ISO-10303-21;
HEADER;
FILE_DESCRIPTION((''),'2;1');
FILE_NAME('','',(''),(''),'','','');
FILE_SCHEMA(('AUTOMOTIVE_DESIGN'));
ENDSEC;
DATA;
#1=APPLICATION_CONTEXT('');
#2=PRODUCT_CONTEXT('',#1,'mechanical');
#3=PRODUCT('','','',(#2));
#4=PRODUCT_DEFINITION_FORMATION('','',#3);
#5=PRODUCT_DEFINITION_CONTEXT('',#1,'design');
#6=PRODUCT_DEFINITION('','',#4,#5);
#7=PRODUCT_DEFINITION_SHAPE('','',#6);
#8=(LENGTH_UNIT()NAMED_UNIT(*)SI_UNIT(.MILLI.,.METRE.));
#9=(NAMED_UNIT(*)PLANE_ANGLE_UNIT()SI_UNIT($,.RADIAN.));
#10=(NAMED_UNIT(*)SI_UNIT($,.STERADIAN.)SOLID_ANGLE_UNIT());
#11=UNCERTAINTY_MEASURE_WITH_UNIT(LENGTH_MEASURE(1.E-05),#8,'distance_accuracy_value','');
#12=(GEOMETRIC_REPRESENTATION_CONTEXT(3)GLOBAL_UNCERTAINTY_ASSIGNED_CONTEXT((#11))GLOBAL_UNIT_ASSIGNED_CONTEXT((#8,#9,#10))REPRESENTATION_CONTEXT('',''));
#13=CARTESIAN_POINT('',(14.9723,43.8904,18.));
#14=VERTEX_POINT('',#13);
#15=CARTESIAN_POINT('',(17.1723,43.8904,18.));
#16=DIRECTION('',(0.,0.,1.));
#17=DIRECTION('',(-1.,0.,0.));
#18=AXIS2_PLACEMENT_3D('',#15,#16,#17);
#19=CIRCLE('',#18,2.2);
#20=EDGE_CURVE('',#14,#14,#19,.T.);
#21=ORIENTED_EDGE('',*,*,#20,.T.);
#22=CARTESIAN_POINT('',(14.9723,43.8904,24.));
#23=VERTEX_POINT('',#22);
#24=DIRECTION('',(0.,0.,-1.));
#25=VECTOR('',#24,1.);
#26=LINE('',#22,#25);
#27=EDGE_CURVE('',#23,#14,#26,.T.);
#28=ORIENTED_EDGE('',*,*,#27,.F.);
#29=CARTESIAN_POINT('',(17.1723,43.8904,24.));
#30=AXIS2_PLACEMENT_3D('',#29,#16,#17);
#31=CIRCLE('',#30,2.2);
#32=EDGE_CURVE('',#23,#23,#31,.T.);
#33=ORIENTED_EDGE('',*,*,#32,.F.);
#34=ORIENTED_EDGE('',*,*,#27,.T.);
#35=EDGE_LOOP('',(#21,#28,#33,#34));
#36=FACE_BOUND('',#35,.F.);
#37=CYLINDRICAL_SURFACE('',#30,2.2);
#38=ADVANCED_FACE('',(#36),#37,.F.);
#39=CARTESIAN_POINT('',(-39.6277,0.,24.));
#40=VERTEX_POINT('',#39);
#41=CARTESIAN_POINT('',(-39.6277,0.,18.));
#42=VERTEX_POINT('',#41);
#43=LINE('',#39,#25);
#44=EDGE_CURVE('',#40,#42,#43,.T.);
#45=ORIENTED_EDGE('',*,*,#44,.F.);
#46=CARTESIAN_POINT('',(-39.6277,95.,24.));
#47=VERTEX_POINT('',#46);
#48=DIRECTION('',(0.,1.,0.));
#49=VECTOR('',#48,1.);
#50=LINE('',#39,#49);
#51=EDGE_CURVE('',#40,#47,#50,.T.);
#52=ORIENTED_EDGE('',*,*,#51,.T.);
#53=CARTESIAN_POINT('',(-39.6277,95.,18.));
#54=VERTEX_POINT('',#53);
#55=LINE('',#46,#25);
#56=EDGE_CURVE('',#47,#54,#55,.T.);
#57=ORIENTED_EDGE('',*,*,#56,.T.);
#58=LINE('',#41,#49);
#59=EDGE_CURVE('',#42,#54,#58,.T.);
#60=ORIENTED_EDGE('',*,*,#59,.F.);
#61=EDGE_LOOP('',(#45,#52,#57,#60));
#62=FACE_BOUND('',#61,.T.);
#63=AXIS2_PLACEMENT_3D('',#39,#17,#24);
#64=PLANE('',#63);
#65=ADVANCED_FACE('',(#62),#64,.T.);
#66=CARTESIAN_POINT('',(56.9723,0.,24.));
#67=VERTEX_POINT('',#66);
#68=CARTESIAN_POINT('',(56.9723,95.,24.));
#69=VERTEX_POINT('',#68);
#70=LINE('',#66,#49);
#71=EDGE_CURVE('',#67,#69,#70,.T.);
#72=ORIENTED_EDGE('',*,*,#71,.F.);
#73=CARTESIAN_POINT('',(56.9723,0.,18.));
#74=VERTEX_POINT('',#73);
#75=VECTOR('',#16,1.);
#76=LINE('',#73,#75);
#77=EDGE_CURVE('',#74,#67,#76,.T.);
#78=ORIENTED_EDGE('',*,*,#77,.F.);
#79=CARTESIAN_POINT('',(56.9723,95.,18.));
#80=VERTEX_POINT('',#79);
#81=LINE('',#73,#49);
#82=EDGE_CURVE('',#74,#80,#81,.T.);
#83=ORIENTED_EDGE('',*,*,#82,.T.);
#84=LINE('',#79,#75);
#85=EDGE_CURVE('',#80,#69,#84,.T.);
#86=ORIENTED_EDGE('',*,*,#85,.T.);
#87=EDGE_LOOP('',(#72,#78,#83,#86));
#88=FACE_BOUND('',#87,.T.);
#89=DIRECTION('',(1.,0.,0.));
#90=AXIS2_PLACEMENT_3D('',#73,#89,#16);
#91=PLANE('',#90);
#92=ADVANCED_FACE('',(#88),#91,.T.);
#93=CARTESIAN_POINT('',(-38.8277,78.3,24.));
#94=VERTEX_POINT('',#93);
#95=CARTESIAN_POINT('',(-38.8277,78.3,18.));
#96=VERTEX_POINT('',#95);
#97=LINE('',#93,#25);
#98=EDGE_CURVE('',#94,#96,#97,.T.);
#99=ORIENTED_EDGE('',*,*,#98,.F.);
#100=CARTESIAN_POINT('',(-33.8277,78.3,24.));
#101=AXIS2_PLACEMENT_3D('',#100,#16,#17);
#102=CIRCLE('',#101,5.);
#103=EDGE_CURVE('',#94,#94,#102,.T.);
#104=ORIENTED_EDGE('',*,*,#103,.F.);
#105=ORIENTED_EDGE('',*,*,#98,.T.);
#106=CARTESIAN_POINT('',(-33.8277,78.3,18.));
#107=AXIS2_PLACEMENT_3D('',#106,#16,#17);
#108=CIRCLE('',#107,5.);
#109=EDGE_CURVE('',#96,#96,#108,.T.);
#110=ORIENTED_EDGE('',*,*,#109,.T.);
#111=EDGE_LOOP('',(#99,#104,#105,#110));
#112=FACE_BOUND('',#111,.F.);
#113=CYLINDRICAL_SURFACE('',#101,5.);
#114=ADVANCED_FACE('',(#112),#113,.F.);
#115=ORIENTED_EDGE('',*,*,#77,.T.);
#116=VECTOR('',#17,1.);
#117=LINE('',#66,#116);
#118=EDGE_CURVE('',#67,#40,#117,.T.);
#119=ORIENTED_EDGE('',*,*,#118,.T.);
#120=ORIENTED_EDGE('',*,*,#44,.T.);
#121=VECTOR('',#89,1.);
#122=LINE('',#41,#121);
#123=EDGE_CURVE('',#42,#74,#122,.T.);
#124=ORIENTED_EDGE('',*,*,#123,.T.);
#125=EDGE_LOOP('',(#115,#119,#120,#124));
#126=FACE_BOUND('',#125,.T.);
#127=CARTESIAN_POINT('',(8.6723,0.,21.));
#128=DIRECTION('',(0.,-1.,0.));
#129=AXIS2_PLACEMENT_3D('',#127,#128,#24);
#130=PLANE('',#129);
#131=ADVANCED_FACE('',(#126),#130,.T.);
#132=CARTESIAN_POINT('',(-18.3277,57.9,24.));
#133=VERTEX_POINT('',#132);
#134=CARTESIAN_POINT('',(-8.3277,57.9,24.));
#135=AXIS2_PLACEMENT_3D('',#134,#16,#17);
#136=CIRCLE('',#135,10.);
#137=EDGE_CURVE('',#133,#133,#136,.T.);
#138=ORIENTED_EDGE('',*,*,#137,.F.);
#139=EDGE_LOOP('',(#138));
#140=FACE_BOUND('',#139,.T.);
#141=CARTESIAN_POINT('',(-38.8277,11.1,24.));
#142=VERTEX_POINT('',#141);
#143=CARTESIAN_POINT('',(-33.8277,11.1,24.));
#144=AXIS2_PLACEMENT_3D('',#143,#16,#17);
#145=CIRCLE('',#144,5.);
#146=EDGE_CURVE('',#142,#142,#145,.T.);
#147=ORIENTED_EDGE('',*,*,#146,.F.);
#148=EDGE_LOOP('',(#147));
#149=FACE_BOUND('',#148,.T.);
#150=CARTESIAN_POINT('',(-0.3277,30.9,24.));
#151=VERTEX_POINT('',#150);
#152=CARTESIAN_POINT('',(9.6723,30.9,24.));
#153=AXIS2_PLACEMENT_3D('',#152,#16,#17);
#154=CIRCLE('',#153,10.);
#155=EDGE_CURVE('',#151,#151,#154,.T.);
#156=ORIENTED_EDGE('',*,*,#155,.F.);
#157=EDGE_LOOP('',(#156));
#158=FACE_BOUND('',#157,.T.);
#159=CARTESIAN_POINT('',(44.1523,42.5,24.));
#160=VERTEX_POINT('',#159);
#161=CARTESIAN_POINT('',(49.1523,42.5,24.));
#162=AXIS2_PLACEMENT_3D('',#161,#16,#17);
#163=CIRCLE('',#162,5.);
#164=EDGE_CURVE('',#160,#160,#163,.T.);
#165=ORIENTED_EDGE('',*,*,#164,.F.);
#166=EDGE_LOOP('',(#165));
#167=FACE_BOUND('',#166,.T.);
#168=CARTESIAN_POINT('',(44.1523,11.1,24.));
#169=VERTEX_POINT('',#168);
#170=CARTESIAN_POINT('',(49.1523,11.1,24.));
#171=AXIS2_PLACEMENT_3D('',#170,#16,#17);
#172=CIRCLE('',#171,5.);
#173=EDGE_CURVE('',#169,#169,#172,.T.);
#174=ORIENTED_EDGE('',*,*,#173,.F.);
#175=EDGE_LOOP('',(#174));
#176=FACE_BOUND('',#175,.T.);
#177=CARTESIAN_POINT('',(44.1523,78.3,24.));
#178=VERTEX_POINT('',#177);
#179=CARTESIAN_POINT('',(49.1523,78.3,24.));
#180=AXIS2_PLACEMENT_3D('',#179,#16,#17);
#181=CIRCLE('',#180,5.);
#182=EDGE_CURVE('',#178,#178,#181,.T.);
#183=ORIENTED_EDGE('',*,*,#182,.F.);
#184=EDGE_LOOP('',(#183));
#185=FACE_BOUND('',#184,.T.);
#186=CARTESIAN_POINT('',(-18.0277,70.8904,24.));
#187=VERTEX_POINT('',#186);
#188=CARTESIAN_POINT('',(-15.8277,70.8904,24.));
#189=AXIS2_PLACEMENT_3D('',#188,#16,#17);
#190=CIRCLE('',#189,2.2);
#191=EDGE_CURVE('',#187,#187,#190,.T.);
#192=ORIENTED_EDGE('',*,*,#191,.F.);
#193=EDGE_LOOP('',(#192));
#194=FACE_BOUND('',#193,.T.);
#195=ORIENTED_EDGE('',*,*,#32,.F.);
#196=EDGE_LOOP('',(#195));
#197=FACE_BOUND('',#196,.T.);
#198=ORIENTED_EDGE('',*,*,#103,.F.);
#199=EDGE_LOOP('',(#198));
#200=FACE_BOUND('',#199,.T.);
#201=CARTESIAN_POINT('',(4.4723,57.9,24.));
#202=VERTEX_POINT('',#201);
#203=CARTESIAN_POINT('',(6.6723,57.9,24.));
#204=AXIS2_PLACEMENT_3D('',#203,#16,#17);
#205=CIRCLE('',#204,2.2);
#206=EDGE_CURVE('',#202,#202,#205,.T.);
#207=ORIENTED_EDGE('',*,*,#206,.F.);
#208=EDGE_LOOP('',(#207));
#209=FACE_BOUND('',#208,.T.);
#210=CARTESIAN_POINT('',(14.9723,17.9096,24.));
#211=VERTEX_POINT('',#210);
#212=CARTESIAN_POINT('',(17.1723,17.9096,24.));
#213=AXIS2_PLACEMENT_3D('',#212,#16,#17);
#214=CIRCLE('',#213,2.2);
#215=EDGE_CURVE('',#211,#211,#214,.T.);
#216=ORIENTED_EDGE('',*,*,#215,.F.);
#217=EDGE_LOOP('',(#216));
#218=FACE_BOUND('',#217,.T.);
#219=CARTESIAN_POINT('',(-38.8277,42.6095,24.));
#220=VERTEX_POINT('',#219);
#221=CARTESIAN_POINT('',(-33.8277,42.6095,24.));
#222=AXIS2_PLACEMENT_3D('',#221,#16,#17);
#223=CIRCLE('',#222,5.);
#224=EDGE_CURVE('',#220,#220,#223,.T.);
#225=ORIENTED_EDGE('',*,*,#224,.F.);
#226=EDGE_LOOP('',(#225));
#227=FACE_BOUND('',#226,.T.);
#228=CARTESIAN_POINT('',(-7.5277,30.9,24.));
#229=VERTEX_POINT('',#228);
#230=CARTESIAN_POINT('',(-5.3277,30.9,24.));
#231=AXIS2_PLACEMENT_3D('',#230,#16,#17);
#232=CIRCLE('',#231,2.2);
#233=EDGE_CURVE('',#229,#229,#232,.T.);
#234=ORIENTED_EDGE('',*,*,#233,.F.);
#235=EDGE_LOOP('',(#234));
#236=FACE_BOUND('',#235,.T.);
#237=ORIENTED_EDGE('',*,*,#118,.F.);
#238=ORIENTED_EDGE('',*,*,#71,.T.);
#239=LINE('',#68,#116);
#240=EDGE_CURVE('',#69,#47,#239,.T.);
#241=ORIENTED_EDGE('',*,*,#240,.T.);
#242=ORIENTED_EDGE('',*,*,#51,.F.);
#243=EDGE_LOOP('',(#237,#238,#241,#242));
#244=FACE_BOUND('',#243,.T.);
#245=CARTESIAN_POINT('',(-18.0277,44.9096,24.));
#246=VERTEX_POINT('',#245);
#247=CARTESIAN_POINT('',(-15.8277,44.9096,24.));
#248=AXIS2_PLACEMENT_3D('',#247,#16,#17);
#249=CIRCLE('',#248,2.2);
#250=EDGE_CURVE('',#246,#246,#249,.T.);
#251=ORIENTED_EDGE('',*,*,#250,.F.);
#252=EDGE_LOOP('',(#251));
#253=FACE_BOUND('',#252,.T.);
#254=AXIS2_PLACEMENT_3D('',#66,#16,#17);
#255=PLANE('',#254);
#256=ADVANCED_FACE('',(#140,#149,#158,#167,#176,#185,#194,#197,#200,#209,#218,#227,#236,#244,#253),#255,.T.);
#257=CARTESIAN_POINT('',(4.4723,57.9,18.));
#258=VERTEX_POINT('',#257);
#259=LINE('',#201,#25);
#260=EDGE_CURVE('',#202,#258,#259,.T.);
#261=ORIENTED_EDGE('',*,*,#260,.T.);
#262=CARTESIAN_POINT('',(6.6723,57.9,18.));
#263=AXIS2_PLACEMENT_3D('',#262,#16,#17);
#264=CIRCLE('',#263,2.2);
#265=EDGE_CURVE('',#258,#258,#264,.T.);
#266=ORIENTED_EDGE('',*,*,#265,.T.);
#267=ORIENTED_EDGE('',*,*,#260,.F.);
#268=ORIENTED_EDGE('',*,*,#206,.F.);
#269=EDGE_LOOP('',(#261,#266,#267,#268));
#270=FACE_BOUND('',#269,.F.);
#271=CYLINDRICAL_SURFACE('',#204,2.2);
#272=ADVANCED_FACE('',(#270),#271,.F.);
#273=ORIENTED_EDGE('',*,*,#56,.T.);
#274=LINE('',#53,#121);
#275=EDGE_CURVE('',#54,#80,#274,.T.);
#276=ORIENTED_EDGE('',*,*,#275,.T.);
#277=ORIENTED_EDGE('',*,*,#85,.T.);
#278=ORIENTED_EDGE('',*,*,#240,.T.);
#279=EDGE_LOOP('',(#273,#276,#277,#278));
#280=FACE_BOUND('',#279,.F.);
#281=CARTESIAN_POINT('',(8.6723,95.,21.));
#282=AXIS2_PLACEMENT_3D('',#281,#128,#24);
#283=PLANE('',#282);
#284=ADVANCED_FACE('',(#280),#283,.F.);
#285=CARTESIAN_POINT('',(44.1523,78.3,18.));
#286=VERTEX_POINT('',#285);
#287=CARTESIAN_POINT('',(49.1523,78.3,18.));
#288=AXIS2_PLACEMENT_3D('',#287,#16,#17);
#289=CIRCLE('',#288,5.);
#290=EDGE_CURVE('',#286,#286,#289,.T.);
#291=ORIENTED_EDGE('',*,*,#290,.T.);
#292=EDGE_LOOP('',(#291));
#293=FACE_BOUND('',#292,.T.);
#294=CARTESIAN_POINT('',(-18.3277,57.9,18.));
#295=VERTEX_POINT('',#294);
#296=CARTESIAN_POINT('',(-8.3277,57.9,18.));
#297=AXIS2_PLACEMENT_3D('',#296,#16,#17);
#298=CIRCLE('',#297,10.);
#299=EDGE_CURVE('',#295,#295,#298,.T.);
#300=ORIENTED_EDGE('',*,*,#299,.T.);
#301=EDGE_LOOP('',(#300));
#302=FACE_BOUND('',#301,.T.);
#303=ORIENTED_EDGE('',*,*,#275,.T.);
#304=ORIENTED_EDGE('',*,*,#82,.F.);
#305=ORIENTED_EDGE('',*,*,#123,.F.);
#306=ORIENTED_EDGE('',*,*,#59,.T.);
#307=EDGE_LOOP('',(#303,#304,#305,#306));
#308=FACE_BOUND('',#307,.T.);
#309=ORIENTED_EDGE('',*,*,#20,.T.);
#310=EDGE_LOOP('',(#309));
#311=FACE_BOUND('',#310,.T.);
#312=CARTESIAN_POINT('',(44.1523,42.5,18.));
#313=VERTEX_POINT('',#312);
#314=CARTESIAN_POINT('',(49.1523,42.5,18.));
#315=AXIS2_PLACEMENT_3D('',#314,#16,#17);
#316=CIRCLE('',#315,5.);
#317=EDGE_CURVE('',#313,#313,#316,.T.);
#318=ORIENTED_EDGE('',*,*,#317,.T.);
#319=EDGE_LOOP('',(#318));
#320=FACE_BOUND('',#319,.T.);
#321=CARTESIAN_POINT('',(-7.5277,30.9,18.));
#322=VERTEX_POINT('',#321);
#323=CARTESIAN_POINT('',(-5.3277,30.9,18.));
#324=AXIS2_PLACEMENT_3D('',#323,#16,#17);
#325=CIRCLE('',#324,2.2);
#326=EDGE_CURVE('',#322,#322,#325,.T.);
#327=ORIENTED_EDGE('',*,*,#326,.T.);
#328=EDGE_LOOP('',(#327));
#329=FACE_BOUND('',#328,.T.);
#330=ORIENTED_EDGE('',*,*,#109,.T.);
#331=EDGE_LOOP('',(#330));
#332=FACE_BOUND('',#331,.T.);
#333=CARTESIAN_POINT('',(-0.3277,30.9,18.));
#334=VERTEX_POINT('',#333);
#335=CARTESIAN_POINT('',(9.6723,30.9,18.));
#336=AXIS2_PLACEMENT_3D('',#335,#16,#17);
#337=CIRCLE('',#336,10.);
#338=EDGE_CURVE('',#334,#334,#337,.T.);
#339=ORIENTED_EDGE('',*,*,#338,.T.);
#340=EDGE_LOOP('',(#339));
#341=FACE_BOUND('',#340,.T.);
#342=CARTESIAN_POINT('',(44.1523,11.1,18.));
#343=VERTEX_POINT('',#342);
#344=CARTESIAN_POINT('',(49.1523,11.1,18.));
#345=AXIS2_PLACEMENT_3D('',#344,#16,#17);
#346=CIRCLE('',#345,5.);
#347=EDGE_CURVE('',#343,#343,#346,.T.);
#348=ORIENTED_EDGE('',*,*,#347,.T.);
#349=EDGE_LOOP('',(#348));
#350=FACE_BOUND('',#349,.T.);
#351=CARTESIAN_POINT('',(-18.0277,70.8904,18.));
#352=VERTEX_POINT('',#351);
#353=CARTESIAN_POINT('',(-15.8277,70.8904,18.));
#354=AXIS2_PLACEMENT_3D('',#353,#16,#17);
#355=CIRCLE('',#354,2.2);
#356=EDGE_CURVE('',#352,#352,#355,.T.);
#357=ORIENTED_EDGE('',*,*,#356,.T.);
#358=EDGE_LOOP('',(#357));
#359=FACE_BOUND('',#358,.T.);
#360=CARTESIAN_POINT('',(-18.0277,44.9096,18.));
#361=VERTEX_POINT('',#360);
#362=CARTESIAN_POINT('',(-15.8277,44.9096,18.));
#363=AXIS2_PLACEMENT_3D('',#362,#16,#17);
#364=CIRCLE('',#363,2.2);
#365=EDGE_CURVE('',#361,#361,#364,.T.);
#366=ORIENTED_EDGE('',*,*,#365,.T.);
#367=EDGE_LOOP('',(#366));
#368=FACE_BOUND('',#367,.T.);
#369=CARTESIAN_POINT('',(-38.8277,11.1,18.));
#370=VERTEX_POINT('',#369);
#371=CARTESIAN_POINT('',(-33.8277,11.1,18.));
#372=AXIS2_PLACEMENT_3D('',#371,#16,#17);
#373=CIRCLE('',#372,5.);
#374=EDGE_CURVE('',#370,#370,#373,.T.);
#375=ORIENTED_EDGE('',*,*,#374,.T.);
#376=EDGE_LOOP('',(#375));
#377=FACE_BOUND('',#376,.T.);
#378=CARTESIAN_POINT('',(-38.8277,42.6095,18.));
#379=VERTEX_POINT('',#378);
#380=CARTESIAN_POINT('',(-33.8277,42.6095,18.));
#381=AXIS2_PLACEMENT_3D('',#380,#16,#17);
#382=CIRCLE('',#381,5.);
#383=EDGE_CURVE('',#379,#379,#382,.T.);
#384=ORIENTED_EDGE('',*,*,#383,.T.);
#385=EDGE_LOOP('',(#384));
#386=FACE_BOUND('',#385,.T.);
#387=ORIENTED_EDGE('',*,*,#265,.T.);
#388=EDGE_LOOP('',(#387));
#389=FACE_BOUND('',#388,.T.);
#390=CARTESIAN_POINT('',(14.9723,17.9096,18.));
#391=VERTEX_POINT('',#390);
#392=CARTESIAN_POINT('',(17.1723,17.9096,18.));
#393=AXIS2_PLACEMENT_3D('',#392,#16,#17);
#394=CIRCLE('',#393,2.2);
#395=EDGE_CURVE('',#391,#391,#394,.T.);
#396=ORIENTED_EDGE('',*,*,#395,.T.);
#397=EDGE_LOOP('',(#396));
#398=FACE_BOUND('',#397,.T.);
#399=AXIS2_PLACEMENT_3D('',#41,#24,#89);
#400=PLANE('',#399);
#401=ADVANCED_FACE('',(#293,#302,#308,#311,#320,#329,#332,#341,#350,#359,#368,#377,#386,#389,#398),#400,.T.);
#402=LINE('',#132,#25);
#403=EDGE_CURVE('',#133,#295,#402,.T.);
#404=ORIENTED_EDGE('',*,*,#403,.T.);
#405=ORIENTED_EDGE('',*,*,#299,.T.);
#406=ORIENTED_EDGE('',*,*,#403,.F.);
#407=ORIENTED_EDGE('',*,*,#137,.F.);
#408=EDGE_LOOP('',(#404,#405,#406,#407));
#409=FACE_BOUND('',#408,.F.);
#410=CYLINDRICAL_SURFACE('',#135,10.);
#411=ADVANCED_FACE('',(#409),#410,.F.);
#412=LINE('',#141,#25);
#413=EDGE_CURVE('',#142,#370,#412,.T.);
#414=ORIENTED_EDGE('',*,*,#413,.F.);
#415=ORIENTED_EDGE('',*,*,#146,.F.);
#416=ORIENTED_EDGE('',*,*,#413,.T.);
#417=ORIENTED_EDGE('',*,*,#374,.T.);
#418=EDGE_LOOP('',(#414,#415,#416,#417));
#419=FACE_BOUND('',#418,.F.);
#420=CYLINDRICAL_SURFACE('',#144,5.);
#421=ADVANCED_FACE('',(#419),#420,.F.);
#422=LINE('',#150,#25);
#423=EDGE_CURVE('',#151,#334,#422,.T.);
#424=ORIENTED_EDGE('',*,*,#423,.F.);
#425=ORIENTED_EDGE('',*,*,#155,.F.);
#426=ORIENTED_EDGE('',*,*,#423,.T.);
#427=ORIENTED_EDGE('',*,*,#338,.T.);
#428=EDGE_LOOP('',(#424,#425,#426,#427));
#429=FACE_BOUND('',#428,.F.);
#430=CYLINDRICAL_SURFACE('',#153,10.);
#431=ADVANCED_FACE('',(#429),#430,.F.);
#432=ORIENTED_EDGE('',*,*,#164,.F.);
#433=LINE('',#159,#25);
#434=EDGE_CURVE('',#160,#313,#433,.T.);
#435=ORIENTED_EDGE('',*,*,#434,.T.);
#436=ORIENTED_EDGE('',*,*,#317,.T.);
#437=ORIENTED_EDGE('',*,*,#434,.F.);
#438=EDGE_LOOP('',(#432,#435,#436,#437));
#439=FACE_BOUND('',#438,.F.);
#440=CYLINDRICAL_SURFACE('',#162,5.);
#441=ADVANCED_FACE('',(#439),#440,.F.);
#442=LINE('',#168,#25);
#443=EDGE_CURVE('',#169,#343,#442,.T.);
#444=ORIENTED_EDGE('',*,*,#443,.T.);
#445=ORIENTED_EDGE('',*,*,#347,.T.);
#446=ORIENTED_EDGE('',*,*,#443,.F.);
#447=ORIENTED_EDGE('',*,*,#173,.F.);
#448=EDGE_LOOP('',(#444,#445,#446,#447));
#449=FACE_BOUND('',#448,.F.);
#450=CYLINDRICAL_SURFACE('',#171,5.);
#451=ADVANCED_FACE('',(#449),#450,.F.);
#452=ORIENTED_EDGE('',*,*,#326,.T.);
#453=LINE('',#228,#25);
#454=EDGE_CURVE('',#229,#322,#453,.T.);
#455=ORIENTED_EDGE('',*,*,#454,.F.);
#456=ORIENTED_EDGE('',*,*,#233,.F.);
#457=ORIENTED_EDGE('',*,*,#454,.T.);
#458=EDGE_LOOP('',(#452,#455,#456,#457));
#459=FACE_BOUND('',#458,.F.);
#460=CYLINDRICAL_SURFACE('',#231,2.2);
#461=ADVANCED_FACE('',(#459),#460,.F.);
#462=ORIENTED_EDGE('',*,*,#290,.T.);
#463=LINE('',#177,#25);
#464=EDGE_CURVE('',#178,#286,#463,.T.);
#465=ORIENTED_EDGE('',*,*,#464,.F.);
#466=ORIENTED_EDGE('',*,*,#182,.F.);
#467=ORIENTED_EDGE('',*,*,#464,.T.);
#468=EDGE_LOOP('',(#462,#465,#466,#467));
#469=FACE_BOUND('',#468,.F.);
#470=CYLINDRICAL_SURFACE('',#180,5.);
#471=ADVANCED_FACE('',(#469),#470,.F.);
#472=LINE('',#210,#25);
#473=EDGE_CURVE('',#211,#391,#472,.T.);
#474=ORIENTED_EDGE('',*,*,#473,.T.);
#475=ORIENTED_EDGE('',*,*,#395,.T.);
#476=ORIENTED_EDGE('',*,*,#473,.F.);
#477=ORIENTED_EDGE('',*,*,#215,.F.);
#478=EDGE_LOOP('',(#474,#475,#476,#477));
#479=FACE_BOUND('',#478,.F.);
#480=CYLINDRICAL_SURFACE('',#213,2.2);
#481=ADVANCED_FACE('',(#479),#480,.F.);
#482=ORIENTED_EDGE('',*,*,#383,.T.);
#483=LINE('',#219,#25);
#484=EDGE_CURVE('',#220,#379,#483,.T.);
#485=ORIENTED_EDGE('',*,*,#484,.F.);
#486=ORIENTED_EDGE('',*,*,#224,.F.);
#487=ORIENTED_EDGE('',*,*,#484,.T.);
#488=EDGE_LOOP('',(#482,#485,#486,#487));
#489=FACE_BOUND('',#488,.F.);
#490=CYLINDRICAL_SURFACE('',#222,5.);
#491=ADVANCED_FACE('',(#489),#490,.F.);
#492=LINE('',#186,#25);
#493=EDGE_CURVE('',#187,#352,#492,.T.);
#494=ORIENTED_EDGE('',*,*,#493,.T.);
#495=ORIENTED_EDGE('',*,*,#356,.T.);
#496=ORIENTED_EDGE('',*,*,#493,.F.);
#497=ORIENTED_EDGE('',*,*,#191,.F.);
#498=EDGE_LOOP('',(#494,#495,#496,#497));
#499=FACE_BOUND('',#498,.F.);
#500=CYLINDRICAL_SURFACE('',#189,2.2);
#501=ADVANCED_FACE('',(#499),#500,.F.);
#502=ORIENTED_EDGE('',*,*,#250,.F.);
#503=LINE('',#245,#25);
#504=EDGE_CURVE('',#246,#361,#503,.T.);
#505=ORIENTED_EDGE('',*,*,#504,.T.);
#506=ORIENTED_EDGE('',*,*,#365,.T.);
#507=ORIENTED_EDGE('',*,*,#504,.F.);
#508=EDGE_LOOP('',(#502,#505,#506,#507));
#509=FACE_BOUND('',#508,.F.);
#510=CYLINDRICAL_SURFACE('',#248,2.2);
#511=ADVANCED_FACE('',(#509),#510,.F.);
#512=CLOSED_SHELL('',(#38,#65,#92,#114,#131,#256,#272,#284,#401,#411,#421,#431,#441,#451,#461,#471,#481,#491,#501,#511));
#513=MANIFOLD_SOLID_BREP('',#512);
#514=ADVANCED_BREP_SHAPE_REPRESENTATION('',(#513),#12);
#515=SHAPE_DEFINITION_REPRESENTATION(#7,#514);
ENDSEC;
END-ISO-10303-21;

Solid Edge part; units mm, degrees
sketch "Sketch1" plane through (0, 0, 0) normal (0, -1, 0) x (1, 0, 0)
  line L0 (-39.6277, 18) -> (56.9723, 18)
  line L1 (56.9723, 18) -> (56.9723, 24)
  line L2 (56.9723, 24) -> (-39.6277, 24)
  line L3 (-39.6277, 24) -> (-39.6277, 18)
  dimension "D1" = 96.6
  dimension "D2" = 6
extrude "Protrusion1" add sketch "Sketch1" against normal blind 95
sketch "Sketch2" plane through (8.6723, 47.5, 24) normal (0, 0, 1) x (-1, 0, 0)
  circle A0 centre (-40.48, 36.4) radius 5
  circle A1 centre (-40.48, 5) radius 5
  circle A2 centre (-40.48, -30.8) radius 5
  circle A3 centre (42.5, -30.8) radius 5
  circle A4 centre (42.5, 4.8905) radius 5
  circle A5 centre (42.5, 36.4) radius 5
extrude "ExtrudedCutout_1" cut sketch "Sketch2" against normal blind 37.274
sketch "Sketch3" plane through (8.6723, 47.5, 24) normal (0, 0, 1) x (-1, 0, 0)
  circle A0 centre (-8.5, 29.5904) radius 2.2
  circle A1 centre (14, 16.6) radius 2.2
  circle A2 centre (-8.5, 3.6096) radius 2.2
  circle A3 centre (2, -10.4) radius 2.2
  circle A4 centre (24.5, 2.5904) radius 2.2
  circle A5 centre (24.5, -23.3904) radius 2.2
  dimension "D1" = 30
  dimension "D2" = 3
  dimension "D3" = 2
  dimension "D4" = 20
  dimension "D5" = 30
  dimension "D6" = 2.8
  dimension "D7" = 2
  dimension "D8" = 27
extrude "ExtrudedCutout_2" cut sketch "Sketch3" against normal blind 69.9248
sketch "Sketch4" plane through (8.6723, 47.5, 24) normal (0, 0, 1) x (-1, 0, 0)
  circle A0 centre (-1, 16.6) radius 10
  circle A1 centre (17, -10.4) radius 10
  dimension "D1" = 30
  dimension "D2" = 3
  dimension "D3" = 2
  dimension "D4" = 20
  dimension "D5" = 30
  dimension "D6" = 2.8
  dimension "D7" = 2
  dimension "D8" = 27
extrude "ExtrudedCutout_3" cut sketch "Sketch4" against normal blind 48.6044
